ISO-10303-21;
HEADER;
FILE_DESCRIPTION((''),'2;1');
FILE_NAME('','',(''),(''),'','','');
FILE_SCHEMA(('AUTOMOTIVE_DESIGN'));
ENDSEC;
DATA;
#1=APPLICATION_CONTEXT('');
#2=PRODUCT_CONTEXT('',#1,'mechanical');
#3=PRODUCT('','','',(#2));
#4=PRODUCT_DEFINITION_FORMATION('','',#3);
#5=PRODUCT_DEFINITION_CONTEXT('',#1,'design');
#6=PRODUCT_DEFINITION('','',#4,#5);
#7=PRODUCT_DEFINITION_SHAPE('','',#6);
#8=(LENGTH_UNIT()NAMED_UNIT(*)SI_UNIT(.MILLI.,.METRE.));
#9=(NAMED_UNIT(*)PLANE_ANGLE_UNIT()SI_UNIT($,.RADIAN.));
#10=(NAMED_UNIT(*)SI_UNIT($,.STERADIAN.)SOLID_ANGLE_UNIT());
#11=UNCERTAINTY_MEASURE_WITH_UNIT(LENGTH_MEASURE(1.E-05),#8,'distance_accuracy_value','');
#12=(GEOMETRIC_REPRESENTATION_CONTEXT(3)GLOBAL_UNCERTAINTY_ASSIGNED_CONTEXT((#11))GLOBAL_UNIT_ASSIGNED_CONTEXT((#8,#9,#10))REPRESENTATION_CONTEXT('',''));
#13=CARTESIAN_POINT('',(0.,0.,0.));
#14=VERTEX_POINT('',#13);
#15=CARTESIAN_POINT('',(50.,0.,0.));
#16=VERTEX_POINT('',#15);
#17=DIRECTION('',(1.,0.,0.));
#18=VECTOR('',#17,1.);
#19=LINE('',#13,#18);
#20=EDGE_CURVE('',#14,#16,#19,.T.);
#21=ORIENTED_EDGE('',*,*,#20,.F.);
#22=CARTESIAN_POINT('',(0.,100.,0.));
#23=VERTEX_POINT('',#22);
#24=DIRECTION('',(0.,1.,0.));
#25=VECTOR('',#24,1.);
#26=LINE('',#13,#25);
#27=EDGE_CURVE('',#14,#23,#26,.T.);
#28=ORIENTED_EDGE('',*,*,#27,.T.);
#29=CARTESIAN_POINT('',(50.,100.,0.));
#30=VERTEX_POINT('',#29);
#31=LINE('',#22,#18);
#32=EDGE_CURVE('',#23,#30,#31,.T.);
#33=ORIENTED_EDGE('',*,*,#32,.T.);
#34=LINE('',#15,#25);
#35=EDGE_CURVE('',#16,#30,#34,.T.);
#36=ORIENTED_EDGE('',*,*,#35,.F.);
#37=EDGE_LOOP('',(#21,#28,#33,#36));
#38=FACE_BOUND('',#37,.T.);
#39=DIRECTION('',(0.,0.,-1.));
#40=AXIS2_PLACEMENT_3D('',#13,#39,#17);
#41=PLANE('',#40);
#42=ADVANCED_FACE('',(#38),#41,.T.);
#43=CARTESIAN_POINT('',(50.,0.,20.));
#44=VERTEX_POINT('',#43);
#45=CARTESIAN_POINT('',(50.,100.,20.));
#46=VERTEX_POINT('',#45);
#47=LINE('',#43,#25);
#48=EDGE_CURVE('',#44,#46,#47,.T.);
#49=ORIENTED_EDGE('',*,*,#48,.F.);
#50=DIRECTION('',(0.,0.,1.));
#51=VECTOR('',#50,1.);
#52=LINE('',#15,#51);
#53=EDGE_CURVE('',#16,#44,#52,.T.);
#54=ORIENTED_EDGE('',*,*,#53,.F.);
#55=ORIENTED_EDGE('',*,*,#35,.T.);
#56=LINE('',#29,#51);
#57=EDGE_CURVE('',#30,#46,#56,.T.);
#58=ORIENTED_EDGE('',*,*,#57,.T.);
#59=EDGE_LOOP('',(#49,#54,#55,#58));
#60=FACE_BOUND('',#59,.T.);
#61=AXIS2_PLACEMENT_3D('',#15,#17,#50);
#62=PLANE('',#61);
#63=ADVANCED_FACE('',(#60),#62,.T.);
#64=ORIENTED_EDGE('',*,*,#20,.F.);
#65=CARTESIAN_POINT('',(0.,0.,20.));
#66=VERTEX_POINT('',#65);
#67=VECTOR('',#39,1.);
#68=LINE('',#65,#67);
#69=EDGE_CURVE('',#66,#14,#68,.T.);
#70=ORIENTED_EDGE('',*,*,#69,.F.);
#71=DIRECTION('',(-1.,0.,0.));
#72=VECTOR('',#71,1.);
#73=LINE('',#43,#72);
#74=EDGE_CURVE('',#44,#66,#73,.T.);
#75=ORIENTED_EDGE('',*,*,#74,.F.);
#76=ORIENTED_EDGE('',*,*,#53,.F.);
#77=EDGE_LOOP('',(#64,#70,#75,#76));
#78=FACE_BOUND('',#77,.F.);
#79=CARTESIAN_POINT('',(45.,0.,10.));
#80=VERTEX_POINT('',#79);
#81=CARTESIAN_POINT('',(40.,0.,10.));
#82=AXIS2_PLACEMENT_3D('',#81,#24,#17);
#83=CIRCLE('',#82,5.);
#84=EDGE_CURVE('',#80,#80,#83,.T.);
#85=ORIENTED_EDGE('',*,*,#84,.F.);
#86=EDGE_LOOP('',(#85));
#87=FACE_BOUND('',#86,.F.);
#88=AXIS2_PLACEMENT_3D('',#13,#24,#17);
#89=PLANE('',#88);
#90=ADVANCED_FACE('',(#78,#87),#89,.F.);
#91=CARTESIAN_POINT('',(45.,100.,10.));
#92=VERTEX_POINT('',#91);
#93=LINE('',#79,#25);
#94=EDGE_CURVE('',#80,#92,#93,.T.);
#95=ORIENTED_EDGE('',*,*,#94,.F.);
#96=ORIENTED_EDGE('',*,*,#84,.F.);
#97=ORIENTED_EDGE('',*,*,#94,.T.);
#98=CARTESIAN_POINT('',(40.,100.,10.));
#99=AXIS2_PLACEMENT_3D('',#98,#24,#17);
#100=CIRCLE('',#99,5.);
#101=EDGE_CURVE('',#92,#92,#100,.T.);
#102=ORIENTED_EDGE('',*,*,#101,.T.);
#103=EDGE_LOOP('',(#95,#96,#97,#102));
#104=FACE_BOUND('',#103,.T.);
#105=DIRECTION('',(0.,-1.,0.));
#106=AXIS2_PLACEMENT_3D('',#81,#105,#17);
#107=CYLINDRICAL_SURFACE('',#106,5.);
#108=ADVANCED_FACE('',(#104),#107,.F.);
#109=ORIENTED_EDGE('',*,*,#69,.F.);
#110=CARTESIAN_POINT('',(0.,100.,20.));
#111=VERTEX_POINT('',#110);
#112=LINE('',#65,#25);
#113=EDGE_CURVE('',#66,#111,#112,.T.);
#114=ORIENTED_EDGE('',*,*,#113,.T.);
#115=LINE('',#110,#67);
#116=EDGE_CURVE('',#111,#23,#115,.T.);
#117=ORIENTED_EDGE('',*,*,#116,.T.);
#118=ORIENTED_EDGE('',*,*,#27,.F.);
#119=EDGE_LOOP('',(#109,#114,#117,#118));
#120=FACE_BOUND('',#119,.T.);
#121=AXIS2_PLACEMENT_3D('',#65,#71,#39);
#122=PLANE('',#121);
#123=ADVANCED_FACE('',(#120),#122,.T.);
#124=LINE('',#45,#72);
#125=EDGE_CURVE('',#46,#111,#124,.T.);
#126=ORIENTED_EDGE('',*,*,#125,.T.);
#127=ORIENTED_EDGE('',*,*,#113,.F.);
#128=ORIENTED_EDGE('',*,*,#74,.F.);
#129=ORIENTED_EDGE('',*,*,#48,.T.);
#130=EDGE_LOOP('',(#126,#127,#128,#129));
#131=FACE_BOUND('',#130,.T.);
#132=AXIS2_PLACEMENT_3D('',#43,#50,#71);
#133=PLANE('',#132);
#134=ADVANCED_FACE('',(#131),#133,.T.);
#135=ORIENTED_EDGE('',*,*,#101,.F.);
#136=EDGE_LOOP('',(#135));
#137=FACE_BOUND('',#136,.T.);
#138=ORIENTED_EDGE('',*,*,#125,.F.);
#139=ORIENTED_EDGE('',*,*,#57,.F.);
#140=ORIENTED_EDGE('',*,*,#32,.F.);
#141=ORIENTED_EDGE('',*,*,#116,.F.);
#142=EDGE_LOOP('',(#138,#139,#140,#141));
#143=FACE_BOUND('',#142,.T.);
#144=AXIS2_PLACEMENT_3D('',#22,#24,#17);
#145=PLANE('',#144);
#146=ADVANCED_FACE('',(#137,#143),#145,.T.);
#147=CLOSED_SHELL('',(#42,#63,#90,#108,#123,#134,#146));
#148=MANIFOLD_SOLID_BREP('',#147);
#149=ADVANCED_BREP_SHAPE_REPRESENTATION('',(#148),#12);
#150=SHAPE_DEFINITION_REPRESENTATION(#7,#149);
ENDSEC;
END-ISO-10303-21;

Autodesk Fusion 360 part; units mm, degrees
sketch "Sketch1" plane through (0, 0, 0) normal (0, 1, 0) x (1, 0, 0)
  line L0 (0, 0) -> (50, 0)
  line L1 (50, 0) -> (50, -20)
  line L2 (50, -20) -> (0, -20)
  line L3 (0, -20) -> (0, 0)
  circle A0 centre (40, -10) radius 5
  dimension "d1" = 50
  dimension "d2" = 20
  dimension "d3" = 10
extrude "Extrude1" add sketch "Sketch1" along normal blind 100
